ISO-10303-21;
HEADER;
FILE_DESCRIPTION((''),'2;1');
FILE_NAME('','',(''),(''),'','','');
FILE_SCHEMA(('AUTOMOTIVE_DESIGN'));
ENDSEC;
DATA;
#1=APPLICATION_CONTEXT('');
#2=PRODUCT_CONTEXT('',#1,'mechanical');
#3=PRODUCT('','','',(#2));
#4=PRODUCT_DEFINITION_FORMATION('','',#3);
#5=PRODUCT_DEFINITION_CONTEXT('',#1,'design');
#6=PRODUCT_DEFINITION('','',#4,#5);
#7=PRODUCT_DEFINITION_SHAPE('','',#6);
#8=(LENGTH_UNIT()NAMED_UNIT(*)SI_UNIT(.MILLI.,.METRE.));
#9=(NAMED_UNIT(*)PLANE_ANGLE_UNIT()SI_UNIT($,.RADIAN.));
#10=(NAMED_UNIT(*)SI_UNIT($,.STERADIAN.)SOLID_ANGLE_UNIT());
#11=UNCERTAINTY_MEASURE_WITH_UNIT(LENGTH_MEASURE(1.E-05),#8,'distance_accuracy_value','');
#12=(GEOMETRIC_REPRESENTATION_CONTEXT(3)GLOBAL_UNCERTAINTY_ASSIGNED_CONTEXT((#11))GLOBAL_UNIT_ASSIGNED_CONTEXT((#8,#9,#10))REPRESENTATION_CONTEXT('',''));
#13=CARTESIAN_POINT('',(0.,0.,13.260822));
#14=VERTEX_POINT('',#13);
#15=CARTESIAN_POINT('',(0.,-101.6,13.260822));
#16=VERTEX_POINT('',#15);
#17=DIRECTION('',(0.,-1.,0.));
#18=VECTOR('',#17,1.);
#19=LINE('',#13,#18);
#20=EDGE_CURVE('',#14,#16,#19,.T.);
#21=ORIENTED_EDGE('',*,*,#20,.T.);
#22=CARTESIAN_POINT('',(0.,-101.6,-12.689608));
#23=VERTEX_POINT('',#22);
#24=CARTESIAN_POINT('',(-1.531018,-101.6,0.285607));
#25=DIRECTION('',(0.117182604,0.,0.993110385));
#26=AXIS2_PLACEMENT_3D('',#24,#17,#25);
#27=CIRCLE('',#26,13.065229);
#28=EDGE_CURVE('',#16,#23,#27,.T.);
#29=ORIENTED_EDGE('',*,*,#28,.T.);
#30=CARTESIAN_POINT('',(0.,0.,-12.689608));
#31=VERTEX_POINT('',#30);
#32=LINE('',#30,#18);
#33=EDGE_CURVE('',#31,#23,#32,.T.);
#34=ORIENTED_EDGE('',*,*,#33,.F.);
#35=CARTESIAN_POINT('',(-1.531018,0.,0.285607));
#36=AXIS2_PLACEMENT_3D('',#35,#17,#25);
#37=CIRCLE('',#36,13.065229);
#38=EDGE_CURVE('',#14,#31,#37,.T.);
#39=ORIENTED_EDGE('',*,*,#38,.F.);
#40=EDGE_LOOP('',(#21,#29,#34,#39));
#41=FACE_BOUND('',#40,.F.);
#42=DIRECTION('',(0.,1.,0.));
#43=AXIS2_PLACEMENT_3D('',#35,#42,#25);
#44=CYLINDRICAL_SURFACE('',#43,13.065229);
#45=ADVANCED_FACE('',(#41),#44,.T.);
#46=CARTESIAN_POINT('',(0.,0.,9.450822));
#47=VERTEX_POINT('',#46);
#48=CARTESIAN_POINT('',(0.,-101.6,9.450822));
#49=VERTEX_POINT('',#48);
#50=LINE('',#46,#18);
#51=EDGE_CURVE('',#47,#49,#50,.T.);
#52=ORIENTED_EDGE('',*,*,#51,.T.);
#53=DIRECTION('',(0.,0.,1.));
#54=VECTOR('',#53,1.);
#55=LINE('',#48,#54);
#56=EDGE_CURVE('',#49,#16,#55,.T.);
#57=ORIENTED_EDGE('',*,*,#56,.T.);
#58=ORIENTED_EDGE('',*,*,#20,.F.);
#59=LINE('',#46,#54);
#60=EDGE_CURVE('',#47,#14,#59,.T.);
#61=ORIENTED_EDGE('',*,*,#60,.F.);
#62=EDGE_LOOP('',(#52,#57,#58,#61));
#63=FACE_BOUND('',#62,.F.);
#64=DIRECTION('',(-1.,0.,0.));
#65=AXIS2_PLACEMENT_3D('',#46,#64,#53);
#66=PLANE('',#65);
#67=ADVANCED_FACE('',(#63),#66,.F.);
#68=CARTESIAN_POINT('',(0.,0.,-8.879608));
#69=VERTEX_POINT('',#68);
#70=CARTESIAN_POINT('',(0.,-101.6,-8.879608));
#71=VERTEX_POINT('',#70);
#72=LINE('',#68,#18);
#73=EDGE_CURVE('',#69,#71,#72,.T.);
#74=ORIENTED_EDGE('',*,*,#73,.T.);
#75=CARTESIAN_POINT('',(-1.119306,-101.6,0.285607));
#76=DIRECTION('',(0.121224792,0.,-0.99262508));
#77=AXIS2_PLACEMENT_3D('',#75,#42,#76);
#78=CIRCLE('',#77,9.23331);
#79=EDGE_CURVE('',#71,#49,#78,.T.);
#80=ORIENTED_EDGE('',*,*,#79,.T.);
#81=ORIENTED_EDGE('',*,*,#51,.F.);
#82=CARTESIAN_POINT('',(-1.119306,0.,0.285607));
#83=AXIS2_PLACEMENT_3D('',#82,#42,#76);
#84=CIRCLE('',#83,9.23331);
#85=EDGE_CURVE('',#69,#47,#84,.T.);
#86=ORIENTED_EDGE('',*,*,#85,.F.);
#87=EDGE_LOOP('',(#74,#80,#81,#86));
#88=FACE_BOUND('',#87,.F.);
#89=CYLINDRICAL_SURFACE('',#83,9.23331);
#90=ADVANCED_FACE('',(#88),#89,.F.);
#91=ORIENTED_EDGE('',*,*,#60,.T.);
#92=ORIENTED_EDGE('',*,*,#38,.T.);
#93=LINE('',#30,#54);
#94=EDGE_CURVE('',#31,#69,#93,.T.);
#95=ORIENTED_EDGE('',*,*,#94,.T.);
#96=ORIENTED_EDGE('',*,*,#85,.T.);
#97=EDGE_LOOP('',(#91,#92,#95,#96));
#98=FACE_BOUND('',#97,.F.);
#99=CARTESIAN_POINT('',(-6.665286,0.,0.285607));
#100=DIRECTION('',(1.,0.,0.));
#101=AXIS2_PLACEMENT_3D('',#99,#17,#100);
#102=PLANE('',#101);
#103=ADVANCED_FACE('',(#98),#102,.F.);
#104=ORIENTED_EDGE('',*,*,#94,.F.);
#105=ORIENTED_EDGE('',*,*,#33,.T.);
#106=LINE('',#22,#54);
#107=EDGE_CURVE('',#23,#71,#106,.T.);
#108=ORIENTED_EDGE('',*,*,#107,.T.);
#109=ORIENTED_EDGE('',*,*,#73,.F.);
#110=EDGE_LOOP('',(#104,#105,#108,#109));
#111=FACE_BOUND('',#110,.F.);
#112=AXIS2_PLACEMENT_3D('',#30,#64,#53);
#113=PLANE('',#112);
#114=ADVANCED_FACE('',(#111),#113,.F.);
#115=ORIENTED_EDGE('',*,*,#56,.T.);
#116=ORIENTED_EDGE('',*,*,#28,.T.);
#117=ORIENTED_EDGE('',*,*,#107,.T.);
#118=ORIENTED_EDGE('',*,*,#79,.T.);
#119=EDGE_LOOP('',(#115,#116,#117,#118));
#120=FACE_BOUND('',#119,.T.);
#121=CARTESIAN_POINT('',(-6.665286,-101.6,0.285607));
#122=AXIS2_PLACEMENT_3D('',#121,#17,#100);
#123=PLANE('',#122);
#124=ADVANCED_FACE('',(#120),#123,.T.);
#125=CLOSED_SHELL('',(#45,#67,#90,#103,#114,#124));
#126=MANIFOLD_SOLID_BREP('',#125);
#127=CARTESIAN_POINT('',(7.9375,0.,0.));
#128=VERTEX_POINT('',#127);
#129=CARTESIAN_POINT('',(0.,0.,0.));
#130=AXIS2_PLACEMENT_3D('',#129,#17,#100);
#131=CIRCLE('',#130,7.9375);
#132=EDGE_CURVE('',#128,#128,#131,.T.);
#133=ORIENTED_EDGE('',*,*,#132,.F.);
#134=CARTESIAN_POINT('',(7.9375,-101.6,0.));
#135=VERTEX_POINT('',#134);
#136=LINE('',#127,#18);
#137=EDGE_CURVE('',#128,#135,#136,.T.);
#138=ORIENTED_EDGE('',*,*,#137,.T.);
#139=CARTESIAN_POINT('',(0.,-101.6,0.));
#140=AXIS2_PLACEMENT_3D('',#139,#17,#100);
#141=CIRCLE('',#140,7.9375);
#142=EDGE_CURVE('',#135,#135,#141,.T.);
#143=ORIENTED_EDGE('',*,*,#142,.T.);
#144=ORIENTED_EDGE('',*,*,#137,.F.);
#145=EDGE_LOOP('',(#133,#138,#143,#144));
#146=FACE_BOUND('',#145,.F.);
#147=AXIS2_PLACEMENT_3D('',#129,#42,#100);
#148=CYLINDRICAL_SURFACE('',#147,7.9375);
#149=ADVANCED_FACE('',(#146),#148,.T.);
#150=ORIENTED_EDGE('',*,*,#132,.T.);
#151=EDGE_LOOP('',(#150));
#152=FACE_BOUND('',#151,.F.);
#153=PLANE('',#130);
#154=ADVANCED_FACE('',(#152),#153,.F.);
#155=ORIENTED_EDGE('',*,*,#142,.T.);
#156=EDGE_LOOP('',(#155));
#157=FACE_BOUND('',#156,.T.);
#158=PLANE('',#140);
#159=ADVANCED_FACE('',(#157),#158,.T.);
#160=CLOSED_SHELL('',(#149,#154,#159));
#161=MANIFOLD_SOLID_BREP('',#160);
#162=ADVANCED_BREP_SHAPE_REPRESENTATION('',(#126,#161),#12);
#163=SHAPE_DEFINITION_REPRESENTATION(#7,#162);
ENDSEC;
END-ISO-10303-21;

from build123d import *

# Parameters (mm, degrees)
F0_R     = 7.9375
F1_DEPTH = 101.6


with BuildPart() as f1:
    # F0 (on Front) → F1 (new body)
    with BuildSketch(Plane.XZ):
        with BuildLine():
            ThreePointArc((0, -8.879608), (-10.352616, 0.285607), (0, 9.450822))
            Line((0, 9.450822), (0, 13.260822))
            ThreePointArc((0, 13.260822), (-14.596247, 0.285607), (0, -12.689608))
            Line((0, -12.689608), (0, -8.879608))
        make_face()
        Circle(F0_R)
    extrude(amount=F1_DEPTH)


solid = f1.part
